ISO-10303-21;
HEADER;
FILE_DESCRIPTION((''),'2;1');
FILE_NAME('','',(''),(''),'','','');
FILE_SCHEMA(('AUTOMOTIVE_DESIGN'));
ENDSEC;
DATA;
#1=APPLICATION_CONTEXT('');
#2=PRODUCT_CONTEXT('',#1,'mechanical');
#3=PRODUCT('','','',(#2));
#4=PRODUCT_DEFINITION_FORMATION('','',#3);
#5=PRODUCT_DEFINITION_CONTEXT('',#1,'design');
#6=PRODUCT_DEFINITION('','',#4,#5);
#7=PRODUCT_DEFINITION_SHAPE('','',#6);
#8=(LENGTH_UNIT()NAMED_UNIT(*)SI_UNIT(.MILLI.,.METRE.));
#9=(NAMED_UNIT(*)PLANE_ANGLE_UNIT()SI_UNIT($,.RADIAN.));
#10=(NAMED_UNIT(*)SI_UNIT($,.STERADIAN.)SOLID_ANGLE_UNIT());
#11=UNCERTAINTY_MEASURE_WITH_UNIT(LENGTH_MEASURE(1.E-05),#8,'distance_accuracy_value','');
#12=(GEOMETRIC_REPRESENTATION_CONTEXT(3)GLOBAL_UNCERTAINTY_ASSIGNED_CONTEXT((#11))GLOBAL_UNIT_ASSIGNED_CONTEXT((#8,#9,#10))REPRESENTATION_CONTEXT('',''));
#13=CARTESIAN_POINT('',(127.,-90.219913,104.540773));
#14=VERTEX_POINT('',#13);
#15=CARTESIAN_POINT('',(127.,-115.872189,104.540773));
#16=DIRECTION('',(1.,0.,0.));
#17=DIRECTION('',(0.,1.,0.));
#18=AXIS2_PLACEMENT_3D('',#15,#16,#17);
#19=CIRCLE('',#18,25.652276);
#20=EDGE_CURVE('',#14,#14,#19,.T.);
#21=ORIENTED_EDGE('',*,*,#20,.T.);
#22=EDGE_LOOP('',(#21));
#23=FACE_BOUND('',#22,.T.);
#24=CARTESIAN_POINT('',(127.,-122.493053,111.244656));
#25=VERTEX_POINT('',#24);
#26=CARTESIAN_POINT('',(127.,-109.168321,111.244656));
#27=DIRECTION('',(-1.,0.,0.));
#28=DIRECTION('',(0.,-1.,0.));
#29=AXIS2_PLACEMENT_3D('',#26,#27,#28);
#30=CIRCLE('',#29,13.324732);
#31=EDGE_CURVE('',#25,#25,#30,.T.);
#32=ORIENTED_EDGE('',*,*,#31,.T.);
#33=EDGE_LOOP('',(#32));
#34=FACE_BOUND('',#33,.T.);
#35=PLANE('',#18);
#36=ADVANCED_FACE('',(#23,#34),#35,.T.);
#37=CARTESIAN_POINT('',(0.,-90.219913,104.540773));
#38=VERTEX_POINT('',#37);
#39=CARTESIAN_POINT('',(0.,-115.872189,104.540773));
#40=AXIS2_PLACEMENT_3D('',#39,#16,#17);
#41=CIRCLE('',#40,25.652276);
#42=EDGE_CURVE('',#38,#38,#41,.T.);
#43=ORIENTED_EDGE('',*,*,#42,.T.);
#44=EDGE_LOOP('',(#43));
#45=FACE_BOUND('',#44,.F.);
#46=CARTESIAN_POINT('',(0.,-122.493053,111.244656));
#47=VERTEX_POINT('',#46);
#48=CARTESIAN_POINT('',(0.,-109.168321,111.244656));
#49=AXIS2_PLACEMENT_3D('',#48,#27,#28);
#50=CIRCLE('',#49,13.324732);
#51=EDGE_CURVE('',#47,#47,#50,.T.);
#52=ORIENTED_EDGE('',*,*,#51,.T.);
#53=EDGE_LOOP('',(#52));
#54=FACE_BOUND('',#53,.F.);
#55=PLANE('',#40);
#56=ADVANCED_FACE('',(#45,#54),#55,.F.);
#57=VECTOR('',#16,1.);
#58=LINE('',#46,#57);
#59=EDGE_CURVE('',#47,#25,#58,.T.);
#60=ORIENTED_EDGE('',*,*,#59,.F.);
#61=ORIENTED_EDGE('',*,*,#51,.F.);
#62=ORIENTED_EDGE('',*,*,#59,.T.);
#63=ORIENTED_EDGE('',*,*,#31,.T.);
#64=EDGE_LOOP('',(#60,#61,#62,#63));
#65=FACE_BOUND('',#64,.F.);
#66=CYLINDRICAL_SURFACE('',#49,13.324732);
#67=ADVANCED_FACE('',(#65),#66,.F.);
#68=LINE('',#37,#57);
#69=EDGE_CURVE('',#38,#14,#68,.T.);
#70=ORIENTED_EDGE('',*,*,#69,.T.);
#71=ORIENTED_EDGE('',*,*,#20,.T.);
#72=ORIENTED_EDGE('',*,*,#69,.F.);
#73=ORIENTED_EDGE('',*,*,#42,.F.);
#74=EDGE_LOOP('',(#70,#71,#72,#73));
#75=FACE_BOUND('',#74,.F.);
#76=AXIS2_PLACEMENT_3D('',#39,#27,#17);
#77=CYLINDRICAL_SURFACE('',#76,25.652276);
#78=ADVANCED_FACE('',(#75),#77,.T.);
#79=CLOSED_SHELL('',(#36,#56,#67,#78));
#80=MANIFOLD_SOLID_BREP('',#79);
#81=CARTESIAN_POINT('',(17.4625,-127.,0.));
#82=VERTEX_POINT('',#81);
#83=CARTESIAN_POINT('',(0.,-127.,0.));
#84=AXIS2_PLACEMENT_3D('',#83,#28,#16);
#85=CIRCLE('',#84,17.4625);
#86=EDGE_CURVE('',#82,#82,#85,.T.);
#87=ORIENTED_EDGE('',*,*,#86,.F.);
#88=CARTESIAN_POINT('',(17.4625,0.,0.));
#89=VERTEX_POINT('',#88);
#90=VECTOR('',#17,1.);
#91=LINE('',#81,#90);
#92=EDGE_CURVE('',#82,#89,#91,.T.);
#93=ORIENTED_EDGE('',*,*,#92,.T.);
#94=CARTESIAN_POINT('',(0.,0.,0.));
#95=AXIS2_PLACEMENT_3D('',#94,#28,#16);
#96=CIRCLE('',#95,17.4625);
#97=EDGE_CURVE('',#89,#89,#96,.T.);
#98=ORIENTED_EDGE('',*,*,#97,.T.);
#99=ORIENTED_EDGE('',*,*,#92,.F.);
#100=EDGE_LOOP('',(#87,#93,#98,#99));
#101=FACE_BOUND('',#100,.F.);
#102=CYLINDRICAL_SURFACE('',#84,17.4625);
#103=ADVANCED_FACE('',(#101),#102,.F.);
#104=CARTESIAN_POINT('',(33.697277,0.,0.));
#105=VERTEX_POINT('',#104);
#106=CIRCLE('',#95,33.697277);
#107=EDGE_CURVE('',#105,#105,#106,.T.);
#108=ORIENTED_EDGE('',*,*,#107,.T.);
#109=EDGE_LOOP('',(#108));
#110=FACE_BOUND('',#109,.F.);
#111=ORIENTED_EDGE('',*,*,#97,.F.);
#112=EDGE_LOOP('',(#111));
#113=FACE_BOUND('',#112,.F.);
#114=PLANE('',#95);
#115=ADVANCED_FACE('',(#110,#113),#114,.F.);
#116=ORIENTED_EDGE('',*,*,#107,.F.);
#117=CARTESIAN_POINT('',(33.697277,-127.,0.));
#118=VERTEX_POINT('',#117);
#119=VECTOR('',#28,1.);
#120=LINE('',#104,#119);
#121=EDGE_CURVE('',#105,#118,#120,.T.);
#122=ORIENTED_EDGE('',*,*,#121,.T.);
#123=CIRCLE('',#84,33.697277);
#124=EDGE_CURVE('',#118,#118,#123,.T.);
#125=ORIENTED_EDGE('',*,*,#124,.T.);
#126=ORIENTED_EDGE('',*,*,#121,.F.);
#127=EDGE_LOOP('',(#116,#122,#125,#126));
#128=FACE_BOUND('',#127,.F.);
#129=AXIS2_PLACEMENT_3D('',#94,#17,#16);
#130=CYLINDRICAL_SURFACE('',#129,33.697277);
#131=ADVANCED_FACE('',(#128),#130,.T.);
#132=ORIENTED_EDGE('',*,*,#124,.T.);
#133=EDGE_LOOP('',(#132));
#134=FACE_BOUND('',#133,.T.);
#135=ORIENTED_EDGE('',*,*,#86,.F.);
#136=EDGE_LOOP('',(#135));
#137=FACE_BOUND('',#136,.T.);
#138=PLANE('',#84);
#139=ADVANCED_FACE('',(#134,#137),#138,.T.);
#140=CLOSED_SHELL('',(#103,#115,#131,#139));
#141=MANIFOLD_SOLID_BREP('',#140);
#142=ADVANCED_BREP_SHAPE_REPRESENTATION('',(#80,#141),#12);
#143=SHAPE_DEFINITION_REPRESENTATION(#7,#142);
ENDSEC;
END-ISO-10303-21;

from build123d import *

# Parameters (mm, degrees)
F0_R     = 33.697277
F1_DEPTH = 127
F2_R     = 17.4625
F3_DEPTH = 146.304
F4_R     = 25.652276
F5_DEPTH = 127
F6_R     = 13.324732
F7_DEPTH = 127


with BuildPart() as f1:
    # F0 (on Front) → F1 (new body)
    with BuildSketch(Plane.XZ):
        Circle(F0_R)
    extrude(amount=F1_DEPTH)

    # F2 (on face) → F3 (cut)
    with BuildSketch(Plane.XZ.offset(127)):
        Circle(F2_R)
    extrude(amount=-F3_DEPTH, mode=Mode.SUBTRACT)


with BuildPart() as f5:
    # F4 (on Right) → F5 (new body)
    with BuildSketch(Plane.YZ):
        with Locations((-115.872189, 104.540773)):
            Circle(F4_R)
    extrude(amount=F5_DEPTH)

    # F6 (on face) → F7 (cut)
    with BuildSketch(Plane(origin=(0, 0, 0), x_dir=(0, -1, 0), z_dir=(-1, 0, 0))):
        with Locations((109.168321, 111.244656)):
            Circle(F6_R)
    extrude(amount=-F7_DEPTH, mode=Mode.SUBTRACT)


solid = Compound([f1.part, f5.part])
